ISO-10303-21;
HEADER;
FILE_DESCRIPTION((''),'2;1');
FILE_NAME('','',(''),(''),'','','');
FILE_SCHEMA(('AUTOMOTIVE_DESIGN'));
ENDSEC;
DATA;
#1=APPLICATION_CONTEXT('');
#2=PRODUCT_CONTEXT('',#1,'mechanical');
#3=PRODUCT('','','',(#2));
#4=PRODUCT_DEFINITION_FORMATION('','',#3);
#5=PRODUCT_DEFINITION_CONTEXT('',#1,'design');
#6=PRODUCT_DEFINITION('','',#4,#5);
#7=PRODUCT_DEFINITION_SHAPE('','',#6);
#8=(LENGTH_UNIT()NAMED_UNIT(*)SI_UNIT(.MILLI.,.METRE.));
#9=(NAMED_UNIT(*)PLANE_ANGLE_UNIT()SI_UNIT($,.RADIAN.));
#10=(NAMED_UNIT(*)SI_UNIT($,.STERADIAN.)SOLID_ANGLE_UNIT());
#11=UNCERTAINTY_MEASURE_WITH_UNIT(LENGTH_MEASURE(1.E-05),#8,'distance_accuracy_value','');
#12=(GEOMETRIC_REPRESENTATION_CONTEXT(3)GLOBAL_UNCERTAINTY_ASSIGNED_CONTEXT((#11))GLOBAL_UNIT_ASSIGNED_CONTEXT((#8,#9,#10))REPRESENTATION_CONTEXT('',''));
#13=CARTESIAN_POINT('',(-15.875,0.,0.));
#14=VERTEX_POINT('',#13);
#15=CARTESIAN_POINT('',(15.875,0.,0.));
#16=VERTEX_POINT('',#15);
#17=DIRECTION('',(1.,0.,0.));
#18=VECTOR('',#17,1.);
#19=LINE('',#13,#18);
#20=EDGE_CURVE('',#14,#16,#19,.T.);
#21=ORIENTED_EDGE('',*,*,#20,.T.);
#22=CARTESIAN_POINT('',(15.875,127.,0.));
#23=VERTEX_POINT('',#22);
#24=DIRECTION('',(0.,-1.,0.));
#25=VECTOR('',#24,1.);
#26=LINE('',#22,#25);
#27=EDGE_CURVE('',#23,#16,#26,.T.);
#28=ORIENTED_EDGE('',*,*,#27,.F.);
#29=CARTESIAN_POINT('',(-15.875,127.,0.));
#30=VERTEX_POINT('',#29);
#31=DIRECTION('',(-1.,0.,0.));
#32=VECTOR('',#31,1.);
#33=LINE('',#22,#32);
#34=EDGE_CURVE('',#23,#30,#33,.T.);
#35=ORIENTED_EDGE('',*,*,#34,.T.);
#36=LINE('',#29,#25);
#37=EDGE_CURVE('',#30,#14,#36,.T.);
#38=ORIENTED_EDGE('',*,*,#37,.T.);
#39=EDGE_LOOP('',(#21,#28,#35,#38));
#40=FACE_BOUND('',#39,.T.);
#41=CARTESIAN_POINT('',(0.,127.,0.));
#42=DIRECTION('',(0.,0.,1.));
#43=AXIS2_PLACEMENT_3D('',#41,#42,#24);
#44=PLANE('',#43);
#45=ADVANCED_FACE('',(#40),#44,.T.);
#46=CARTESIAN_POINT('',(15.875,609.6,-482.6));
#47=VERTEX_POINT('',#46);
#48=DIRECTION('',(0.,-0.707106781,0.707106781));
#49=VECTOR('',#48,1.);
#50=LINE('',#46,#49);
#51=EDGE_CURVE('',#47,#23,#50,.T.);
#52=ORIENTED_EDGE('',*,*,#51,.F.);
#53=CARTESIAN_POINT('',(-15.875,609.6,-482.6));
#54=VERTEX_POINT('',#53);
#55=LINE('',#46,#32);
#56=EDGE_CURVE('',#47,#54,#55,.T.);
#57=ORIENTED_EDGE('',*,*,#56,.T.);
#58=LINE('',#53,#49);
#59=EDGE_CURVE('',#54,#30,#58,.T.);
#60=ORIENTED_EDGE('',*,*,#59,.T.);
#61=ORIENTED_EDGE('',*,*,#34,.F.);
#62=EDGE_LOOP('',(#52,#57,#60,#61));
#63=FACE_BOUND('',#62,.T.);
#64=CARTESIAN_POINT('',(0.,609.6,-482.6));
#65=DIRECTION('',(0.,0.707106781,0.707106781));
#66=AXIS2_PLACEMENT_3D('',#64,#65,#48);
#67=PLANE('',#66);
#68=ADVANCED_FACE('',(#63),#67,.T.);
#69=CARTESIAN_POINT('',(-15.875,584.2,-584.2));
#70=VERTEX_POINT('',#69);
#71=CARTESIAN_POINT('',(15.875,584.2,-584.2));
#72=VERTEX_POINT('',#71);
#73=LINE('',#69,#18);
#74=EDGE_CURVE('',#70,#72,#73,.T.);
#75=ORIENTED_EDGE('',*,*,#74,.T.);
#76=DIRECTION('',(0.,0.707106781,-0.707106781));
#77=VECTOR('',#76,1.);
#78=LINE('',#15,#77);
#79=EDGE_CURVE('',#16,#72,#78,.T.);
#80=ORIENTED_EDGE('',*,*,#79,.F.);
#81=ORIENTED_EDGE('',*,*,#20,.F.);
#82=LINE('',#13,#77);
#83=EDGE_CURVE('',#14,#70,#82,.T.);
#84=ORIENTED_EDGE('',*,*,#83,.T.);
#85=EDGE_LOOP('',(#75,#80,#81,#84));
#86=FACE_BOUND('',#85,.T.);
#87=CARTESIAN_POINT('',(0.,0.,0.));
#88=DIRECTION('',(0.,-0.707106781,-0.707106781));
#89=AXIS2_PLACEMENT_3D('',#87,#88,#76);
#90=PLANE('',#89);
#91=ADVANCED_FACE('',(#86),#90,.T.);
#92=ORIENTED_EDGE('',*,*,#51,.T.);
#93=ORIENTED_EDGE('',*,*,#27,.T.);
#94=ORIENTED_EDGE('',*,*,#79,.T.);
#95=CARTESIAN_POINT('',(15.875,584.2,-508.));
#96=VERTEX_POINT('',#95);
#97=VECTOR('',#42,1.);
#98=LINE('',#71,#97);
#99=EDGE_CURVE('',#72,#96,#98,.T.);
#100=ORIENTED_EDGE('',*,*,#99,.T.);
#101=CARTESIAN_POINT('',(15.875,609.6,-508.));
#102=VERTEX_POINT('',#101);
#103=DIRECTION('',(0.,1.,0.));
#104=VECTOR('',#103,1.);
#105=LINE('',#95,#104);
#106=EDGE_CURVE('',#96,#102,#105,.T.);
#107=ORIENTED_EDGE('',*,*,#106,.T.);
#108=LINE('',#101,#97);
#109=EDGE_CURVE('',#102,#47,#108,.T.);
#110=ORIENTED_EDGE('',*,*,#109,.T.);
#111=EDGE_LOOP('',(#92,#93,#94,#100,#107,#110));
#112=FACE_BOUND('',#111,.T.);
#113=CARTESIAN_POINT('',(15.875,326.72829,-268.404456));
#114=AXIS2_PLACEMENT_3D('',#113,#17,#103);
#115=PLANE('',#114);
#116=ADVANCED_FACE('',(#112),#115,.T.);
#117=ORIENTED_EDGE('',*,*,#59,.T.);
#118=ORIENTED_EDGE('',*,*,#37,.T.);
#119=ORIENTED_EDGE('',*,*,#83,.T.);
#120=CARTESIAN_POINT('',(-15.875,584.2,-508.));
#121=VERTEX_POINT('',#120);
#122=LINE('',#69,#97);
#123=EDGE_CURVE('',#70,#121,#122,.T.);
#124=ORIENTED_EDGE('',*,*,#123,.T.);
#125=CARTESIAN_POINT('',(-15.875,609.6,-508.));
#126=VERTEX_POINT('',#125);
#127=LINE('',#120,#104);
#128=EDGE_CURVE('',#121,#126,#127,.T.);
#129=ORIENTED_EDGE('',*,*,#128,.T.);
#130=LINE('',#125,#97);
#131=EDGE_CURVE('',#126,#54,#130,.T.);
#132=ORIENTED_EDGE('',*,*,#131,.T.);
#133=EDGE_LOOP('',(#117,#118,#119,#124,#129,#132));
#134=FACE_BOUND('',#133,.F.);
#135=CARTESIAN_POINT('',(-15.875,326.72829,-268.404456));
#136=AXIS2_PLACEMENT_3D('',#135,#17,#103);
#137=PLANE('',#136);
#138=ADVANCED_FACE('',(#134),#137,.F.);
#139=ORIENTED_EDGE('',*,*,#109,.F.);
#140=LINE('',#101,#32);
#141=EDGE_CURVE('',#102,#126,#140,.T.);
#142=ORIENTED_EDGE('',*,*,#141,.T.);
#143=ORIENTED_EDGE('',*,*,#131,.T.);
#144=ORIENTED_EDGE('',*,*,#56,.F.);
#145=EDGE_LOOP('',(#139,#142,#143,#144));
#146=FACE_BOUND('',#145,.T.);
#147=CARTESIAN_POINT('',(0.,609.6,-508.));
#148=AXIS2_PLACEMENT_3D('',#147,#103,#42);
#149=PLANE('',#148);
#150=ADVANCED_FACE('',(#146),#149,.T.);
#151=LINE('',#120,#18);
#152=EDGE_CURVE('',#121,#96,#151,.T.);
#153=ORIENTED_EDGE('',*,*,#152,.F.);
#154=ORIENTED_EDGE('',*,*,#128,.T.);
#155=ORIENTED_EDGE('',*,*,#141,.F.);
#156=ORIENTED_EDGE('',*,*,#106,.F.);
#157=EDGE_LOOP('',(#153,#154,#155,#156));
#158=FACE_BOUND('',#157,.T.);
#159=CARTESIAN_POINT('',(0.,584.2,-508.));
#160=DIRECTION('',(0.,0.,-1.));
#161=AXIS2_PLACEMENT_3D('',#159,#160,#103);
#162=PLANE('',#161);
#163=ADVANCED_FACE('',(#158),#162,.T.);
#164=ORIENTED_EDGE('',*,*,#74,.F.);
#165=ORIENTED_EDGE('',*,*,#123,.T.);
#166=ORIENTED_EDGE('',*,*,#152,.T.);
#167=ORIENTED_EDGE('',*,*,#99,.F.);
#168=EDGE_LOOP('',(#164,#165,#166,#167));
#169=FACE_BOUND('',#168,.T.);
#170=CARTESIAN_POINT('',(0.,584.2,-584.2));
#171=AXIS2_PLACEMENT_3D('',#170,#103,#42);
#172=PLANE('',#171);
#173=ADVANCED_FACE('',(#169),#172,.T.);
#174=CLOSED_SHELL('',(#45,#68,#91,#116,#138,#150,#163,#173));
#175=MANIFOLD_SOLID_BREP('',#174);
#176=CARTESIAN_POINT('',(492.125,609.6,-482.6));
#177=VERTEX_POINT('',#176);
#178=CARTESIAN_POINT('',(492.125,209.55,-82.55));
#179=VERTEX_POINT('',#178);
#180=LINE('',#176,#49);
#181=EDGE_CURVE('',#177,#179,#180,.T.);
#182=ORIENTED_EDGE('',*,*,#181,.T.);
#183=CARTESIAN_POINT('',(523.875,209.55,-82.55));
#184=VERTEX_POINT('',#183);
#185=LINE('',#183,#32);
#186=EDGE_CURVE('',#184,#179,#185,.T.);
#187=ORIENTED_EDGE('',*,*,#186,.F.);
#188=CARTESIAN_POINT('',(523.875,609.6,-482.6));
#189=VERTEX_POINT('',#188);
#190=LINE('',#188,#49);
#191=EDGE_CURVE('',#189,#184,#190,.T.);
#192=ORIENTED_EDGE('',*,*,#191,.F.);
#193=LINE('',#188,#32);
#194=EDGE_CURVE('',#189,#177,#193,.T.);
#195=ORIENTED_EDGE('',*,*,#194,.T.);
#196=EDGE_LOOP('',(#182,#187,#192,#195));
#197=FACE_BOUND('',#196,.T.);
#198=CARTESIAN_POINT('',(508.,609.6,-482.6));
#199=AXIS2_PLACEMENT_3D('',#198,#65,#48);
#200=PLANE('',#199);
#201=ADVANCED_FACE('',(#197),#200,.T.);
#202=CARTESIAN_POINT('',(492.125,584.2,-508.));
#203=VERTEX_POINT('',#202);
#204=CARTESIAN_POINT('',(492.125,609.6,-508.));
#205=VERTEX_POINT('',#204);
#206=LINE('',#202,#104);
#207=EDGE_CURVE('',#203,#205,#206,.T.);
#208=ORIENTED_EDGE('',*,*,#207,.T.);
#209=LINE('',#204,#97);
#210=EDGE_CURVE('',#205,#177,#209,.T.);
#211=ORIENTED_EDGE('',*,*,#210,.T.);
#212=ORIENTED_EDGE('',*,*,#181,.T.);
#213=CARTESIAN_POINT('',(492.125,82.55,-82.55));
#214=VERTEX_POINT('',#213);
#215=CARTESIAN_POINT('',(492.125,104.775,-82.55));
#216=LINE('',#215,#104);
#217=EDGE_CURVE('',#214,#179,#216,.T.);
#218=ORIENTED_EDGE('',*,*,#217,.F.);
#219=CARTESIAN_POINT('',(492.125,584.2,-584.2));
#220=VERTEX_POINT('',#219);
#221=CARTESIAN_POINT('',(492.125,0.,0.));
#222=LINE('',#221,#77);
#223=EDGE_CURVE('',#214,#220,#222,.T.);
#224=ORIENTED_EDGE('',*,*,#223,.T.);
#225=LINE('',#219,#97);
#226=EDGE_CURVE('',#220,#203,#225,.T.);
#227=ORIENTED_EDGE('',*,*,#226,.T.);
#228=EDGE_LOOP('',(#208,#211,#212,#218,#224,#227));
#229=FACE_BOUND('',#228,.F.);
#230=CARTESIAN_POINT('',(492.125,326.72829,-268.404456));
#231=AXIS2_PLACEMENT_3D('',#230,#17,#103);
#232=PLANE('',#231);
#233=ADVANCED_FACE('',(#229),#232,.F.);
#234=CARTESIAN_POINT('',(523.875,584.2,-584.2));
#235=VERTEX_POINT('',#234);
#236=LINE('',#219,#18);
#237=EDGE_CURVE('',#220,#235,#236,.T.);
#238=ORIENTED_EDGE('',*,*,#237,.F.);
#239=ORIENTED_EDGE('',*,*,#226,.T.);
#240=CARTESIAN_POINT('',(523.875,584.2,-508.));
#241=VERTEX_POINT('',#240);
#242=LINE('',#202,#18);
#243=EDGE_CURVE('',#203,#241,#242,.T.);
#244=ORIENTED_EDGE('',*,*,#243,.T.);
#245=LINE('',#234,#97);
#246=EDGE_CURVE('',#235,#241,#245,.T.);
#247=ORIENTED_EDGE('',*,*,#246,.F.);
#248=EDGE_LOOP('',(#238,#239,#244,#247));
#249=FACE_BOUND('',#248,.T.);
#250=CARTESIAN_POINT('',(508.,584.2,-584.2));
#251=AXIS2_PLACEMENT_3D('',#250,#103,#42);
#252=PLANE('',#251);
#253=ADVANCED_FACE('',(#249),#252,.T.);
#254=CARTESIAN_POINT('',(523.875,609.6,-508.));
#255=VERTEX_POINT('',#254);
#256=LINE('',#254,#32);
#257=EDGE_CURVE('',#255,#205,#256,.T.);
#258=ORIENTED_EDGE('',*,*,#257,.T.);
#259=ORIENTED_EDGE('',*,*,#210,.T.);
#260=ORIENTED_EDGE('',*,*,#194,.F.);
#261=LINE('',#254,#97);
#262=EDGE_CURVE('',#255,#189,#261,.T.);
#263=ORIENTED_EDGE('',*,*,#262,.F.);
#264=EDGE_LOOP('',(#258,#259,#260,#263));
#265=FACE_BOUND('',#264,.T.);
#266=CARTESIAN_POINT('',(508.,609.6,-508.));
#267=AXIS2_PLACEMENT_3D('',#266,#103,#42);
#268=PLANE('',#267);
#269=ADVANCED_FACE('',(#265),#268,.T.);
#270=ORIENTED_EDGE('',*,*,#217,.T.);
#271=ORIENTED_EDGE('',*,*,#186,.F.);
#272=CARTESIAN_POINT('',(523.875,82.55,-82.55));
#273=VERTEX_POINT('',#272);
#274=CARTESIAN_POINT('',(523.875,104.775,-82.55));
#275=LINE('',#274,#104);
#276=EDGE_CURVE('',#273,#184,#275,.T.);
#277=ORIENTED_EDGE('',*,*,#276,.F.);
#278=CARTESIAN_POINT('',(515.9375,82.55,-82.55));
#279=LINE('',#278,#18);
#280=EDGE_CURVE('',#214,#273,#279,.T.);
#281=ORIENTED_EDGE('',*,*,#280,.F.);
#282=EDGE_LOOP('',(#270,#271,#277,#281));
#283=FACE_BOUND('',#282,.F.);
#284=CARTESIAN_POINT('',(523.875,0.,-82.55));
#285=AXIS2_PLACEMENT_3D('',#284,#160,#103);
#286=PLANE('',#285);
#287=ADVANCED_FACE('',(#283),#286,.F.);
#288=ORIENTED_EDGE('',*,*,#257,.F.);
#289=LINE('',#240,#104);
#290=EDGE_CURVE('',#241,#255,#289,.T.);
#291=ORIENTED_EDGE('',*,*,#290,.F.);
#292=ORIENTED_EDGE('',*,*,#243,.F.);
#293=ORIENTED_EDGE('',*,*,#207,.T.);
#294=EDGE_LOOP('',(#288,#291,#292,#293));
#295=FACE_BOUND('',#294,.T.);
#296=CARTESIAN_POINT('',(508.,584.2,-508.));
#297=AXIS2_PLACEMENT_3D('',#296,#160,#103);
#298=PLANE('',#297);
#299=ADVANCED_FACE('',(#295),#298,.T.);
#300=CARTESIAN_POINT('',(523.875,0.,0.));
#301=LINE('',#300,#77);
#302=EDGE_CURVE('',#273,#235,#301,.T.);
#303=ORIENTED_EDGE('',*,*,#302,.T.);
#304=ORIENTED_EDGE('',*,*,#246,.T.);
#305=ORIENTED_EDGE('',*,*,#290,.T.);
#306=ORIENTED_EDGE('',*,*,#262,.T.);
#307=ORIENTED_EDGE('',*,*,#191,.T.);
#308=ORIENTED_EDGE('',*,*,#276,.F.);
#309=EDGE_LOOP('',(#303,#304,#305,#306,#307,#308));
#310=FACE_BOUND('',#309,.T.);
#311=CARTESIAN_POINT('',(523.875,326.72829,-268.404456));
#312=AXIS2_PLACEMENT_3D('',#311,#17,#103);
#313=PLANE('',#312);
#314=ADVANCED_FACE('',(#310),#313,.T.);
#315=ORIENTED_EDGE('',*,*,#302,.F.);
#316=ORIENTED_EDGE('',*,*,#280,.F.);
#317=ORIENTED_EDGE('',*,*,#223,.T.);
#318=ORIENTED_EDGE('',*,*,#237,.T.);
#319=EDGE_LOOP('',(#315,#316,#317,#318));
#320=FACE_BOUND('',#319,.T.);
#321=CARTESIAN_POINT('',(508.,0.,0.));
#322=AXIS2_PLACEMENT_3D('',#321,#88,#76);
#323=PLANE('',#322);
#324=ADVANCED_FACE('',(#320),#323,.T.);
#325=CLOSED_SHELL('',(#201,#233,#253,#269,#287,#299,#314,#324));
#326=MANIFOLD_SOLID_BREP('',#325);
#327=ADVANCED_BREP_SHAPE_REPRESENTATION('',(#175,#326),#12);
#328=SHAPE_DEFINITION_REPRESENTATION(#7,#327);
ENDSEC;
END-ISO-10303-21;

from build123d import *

# Parameters (mm, degrees)
F1_DEPTH = 15.875
F3_W     = 209.55
F3_H     = 82.55
F4_DEPTH = 31.75


with BuildPart() as f1:
    # F0 (on Right) → F1 (new body, symmetric)
    with BuildSketch(Plane.YZ):
        Polygon((127, 0), (0, 0), (584.2, -584.2), (584.2, -508), (609.6, -508), (609.6, -482.6), align=None)
    extrude(amount=F1_DEPTH, both=True)


with BuildPart() as f2_1:
    # F2: copy of F1
    add(f1.part.moved(Location((508, 0, 0))))

    # F3 (on face) → F4 (cut)
    with BuildSketch(Plane.YZ.offset(523.875)):
        with Locations((104.775, -41.275)):
            Rectangle(F3_W, F3_H)
    extrude(amount=-F4_DEPTH, mode=Mode.SUBTRACT)


solid = Compound([f1.part, f2_1.part])
